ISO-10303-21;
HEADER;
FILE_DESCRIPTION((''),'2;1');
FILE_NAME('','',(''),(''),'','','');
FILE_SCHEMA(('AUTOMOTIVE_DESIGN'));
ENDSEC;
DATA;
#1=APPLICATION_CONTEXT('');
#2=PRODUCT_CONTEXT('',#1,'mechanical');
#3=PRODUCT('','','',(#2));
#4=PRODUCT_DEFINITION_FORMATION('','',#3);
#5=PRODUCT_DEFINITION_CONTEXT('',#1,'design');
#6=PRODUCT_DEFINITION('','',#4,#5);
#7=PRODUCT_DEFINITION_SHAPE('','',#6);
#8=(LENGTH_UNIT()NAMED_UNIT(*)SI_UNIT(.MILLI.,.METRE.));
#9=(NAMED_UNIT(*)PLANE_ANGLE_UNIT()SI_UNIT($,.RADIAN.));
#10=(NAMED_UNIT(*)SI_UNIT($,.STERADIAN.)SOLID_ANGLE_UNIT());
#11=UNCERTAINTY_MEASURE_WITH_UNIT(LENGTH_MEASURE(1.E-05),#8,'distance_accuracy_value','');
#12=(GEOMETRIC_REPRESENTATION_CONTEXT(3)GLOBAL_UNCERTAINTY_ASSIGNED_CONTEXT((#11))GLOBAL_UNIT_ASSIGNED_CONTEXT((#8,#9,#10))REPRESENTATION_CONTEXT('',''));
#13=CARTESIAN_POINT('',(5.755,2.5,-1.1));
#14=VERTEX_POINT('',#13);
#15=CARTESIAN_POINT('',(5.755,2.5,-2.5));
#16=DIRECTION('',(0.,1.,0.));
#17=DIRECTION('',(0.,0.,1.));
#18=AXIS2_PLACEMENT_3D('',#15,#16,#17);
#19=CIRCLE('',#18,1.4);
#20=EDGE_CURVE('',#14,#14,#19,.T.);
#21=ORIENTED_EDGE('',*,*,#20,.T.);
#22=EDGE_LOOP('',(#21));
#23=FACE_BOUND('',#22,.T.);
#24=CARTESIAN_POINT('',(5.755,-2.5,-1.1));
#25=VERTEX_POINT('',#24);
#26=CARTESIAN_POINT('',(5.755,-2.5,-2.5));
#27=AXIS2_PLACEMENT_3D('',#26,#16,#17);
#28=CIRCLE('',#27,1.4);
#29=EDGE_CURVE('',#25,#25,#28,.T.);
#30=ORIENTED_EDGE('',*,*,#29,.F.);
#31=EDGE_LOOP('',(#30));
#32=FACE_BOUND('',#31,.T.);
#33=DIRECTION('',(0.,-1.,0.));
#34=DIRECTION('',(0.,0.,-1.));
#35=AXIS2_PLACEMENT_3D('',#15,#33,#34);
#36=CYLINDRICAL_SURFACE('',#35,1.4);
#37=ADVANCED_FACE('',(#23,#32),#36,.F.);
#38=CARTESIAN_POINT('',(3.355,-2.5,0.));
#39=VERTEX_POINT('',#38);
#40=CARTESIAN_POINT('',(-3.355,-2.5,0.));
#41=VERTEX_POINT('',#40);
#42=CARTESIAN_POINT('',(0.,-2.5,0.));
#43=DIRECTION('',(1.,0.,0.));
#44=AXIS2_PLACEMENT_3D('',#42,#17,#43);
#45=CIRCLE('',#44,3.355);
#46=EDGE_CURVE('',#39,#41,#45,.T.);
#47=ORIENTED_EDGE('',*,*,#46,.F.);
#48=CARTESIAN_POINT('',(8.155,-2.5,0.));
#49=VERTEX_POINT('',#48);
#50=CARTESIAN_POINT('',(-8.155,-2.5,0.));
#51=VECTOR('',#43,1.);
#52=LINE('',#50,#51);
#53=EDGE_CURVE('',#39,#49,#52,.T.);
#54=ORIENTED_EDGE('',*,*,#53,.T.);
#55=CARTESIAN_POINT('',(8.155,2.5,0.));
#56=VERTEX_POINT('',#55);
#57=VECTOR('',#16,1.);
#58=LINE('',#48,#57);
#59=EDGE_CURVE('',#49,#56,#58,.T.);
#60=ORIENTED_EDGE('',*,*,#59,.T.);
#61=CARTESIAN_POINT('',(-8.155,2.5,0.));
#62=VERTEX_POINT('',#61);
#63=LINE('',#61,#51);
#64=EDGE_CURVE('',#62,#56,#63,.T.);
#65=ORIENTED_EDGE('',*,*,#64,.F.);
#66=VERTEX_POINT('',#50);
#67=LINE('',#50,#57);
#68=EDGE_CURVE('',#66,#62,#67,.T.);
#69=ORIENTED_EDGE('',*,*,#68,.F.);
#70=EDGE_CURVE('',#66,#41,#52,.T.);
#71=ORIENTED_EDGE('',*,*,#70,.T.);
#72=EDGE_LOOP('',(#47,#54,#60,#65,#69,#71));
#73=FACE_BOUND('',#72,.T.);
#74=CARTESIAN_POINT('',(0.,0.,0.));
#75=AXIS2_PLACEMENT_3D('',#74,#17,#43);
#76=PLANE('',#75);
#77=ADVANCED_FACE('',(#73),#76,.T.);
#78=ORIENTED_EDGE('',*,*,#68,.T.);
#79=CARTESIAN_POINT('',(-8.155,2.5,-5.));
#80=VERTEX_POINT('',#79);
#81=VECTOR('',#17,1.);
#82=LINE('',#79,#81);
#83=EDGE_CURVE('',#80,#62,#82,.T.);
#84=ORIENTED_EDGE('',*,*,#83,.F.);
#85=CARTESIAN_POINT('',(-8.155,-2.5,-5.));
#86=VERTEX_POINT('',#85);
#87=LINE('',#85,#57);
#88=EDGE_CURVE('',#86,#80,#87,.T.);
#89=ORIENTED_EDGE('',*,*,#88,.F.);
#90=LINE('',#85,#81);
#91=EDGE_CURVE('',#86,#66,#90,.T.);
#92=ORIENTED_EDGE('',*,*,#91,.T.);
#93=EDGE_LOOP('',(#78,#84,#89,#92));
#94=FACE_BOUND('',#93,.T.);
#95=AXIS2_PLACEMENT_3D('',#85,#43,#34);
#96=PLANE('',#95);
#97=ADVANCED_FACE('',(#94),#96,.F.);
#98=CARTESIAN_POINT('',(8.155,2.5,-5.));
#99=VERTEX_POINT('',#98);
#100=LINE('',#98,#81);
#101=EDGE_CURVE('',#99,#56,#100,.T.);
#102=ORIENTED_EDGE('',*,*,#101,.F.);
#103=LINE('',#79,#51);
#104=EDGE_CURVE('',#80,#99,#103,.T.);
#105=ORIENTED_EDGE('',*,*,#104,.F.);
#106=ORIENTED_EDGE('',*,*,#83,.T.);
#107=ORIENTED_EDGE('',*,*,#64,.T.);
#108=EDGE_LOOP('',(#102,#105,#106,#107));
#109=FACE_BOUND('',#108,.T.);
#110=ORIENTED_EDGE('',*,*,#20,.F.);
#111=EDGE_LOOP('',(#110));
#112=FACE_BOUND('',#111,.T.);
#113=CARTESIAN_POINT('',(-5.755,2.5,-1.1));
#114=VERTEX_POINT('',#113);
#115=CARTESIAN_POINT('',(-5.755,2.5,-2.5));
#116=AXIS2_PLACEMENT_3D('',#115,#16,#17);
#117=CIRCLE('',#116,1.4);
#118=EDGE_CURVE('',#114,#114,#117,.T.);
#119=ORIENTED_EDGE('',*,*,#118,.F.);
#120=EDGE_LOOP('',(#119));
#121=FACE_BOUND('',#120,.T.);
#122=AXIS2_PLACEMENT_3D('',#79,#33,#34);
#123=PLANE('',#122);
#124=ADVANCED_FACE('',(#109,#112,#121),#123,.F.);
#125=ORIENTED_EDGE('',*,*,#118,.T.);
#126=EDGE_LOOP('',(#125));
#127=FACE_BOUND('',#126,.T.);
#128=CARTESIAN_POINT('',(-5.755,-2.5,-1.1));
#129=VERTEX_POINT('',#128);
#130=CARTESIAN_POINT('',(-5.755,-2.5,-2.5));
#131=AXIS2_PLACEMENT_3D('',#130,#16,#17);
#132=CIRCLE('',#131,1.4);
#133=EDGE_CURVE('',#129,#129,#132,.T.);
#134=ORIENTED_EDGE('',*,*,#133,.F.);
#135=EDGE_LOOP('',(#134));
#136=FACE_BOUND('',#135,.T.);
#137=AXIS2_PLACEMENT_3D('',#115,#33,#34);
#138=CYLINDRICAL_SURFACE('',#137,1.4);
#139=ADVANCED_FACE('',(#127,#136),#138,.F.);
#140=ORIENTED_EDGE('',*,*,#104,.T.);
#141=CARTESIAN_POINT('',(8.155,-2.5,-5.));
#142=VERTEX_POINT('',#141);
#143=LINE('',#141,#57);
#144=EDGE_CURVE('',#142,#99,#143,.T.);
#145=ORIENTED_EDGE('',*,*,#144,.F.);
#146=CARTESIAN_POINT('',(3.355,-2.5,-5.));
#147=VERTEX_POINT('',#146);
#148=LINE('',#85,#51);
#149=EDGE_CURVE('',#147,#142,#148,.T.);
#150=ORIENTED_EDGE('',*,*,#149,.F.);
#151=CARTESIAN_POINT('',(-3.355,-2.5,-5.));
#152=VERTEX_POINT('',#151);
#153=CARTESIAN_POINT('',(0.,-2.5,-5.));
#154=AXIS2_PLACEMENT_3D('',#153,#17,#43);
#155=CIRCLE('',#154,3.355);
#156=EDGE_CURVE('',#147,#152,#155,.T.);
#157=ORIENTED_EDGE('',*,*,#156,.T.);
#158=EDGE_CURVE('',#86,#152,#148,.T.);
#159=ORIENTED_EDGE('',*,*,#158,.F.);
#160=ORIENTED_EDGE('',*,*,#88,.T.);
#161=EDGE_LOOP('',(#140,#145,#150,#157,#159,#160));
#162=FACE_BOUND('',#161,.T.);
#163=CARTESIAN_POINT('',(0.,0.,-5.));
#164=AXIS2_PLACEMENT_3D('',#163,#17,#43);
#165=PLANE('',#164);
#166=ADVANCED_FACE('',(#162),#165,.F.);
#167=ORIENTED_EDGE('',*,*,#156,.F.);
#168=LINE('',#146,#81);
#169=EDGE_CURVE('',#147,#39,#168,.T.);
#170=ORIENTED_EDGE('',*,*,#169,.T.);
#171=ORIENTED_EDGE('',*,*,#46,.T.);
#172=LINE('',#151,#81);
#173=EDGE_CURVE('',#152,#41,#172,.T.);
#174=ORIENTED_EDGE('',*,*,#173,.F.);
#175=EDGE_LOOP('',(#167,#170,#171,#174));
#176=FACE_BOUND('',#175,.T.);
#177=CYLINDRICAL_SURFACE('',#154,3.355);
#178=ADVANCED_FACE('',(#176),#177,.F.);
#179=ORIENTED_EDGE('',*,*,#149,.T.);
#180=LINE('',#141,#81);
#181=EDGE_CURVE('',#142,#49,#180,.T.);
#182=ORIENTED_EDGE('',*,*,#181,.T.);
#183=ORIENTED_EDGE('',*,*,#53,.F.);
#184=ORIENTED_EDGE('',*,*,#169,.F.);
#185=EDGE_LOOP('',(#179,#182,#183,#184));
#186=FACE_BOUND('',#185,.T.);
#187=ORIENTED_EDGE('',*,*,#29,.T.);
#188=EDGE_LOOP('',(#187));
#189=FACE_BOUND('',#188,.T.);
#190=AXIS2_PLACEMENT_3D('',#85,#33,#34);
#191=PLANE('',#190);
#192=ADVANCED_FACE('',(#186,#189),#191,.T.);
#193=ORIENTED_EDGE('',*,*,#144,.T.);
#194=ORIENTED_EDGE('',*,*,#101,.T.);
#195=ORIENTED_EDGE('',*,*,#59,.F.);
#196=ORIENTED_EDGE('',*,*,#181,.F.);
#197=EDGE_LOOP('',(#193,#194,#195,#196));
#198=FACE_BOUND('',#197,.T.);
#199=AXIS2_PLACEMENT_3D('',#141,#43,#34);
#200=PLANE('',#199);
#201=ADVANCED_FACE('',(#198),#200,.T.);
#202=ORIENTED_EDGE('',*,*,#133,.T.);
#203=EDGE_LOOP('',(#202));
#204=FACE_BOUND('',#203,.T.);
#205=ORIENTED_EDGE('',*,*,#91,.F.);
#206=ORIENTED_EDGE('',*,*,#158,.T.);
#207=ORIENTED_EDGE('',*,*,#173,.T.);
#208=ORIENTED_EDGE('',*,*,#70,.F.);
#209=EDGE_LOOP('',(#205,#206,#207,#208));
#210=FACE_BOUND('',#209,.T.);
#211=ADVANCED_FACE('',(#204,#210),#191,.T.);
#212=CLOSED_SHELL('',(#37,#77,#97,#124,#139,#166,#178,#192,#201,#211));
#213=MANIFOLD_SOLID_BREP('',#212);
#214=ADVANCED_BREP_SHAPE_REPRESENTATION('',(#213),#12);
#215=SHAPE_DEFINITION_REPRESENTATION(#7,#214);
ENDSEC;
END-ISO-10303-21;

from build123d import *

# Parameters (mm, degrees)
SKETCH1_W                = 16.31
SKETCH1_H                = 5
BOSS_EXTRUDE3_DEPTH      = 5
CUT_EXTRUDE9_DEPTH       = 5
CUT_EXTRUDE10_DEPTH      = 2.5
CUT_EXTRUDE10_DEPTH_BACK = 2.5
SKETCH4_R                = 1.4


with BuildPart() as part:
    # Sketch1 → Boss-Extrude3 (new body)
    with BuildSketch(Plane.XY):
        Rectangle(SKETCH1_W, SKETCH1_H)
    extrude(amount=-BOSS_EXTRUDE3_DEPTH)

    # Sketch3 → Cut-Extrude9 (cut)
    with BuildSketch(Plane.XY):
        with BuildLine():
            Line((-3.355, -2.5), (3.355, -2.5))
            ThreePointArc((3.355, -2.5), (0, 0.855), (-3.355, -2.5))
        make_face()
    extrude(amount=-CUT_EXTRUDE9_DEPTH, mode=Mode.SUBTRACT)

    # Sketch4 → Cut-Extrude10 (cut, two sides: drawn at the far end of the back side and taken through both)
    with BuildSketch(Plane(origin=(0, 0, 0), x_dir=(1, 0, 0), z_dir=(0, 1, 0)).offset(-CUT_EXTRUDE10_DEPTH_BACK)):
        with Locations((-5.755, 2.5)):
            Circle(SKETCH4_R)
        with Locations((5.755, 2.5)):
            Circle(SKETCH4_R)
    extrude(amount=CUT_EXTRUDE10_DEPTH + CUT_EXTRUDE10_DEPTH_BACK, mode=Mode.SUBTRACT)


solid = part.part
